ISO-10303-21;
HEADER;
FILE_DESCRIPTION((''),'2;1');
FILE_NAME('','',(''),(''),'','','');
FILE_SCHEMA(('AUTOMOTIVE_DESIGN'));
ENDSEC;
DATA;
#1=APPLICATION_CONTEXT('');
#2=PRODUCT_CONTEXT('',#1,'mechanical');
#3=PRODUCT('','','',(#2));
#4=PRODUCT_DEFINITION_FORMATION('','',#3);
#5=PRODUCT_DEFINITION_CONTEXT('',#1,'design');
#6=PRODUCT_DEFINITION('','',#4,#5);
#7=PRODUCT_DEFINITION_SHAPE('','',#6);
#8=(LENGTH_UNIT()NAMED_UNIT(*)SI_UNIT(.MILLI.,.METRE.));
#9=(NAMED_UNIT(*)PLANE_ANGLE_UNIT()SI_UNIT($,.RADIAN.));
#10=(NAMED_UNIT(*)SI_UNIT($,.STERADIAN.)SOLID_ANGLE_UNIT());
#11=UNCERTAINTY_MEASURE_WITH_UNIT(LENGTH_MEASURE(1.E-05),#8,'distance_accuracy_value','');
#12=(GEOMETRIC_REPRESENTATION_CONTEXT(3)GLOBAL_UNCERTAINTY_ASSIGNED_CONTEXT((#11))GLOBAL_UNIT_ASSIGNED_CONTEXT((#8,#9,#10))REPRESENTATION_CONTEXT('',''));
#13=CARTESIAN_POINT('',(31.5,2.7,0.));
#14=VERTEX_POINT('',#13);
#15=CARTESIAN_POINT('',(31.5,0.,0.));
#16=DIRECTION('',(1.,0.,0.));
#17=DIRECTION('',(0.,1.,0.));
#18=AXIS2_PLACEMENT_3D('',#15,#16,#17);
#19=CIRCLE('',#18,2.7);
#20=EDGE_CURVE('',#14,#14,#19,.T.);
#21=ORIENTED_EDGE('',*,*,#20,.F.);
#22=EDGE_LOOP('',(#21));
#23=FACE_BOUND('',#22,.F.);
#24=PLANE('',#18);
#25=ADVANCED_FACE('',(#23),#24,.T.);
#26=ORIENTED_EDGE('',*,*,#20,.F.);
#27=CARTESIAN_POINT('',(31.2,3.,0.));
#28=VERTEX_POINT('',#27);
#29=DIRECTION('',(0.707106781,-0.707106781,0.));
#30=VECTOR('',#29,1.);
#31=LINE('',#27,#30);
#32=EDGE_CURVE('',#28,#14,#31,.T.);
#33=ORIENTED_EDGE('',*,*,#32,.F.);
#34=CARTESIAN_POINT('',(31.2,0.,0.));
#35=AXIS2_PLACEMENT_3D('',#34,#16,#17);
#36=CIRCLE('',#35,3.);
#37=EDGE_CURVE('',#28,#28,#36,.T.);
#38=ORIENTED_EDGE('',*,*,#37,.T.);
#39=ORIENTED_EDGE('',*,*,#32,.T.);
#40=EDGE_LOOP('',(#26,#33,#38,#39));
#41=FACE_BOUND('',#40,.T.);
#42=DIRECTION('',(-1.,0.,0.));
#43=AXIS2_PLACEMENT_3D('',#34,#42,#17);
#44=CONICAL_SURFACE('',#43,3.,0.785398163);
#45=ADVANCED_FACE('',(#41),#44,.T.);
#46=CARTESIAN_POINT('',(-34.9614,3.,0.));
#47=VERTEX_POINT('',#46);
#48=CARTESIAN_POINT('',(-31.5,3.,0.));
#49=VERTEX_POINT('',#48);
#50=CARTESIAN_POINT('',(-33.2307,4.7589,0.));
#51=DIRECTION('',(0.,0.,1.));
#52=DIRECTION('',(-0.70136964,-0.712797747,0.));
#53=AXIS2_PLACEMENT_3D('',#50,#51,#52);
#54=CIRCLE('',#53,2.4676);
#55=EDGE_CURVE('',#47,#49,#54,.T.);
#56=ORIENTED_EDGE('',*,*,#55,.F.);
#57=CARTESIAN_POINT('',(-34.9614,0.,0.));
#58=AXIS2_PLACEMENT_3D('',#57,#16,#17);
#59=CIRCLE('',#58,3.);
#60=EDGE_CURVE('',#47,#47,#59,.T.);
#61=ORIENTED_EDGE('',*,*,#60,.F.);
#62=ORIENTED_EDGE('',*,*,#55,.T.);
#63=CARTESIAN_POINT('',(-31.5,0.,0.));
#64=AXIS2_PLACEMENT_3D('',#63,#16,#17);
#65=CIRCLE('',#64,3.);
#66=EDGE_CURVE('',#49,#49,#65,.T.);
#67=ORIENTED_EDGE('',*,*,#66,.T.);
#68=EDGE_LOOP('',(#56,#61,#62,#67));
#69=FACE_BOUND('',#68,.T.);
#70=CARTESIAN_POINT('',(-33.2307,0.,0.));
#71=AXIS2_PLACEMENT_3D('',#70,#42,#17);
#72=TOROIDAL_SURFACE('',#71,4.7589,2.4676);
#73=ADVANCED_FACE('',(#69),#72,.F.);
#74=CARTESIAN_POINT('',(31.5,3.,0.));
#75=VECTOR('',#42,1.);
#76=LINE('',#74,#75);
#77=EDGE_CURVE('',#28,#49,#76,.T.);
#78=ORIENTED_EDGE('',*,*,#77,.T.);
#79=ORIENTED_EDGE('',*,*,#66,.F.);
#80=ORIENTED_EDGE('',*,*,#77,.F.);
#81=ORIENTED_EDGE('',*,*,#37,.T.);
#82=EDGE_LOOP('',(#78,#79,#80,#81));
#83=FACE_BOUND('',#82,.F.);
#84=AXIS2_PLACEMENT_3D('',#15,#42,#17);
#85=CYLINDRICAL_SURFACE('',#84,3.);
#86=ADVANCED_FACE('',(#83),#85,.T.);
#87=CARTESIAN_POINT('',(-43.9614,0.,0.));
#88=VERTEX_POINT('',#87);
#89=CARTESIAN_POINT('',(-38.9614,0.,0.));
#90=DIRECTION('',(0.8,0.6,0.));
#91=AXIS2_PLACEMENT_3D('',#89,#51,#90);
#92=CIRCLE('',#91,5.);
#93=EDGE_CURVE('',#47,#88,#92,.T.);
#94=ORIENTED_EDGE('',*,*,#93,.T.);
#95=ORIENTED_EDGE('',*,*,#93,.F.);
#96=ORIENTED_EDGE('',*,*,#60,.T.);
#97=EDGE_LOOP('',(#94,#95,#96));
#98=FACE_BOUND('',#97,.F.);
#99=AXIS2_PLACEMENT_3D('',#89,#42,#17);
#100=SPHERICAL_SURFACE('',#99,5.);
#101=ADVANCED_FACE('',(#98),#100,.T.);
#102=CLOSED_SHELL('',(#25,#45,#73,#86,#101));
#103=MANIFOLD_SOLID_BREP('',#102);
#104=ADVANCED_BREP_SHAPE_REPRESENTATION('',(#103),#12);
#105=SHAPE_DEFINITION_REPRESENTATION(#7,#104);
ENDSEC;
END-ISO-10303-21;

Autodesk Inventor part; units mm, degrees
ref_plane "YZ Plane" through (0, 0, 0) normal (1, 0, 0) x (0, 1, 0)
ref_plane "XZ Plane" through (0, 0, 0) normal (0, 1, 0) x (-1, 0, 0)
ref_plane "XY Plane" through (0, 0, 0) normal (0, 0, 1) x (1, 0, 0)
sketch "Skizze1" plane through (0, 0, 0) normal (0, 0, 1) x (1, 0, 0)
  line L0 (0, -0.6) -> (0, 3.6) projected
  line L1 (-31.5, 0) -> (31.5, 0)
  line L2 (31.5, 0) -> (31.5, 3)
  line L3 (31.5, 3) -> (-31.5, 3)
  line L4 (-31.5, 3) -> (-31.5, 0)
  dimension "d2" = 63
  dimension "d3" = 3
revolve "Umdrehung1" add sketch "Skizze1" angle 360 about axis through (-31.5, 0, 0) along (1, 0, 0)
thread "Gewinde1" size "M6x1" class "6g" standard "ANSI Metric M Profile" full length
chamfer "Fase1" distance 0.3 angle 45 1 edges at (31.5, -3, 0)
sketch "Skizze2" plane through (0, 0, 0) normal (0, 0, 1) x (1, 0, 0)
  line L0 (-31.5, -3) -> (-31.5, 3) projected
  line L1 (31.2, -3) -> (31.2, 3) projected
  line L2 (-58.1911, 0) -> (44.3485, 0) projected
  line L3 (0, -4.8487) -> (0, 8.0921) projected
  arc A0 (-34.9614, 3) -> (-43.9614, 0) centre (-38.9614, 0) ccw
  arc A1 (-34.9614, 3) -> (-31.5, 3) centre (-33.2307, 4.7589) ccw
  line L4 (-31.5, -3) -> (-31.5, 3) projected
  line L5 (-43.9614, 0) -> (-31.5, 0)
  line L6 (-31.5, 3) -> (-31.5, 0)
  point P0 (0, 0)
  dimension "d10" = 5
revolve "Umdrehung2" add sketch "Skizze2" angle 360 about axis through (-43.9614, 0, 0) along (1, 0, 0)
properties part number "M6x60" material "Stahl, hochfest, niedrig legiert"
